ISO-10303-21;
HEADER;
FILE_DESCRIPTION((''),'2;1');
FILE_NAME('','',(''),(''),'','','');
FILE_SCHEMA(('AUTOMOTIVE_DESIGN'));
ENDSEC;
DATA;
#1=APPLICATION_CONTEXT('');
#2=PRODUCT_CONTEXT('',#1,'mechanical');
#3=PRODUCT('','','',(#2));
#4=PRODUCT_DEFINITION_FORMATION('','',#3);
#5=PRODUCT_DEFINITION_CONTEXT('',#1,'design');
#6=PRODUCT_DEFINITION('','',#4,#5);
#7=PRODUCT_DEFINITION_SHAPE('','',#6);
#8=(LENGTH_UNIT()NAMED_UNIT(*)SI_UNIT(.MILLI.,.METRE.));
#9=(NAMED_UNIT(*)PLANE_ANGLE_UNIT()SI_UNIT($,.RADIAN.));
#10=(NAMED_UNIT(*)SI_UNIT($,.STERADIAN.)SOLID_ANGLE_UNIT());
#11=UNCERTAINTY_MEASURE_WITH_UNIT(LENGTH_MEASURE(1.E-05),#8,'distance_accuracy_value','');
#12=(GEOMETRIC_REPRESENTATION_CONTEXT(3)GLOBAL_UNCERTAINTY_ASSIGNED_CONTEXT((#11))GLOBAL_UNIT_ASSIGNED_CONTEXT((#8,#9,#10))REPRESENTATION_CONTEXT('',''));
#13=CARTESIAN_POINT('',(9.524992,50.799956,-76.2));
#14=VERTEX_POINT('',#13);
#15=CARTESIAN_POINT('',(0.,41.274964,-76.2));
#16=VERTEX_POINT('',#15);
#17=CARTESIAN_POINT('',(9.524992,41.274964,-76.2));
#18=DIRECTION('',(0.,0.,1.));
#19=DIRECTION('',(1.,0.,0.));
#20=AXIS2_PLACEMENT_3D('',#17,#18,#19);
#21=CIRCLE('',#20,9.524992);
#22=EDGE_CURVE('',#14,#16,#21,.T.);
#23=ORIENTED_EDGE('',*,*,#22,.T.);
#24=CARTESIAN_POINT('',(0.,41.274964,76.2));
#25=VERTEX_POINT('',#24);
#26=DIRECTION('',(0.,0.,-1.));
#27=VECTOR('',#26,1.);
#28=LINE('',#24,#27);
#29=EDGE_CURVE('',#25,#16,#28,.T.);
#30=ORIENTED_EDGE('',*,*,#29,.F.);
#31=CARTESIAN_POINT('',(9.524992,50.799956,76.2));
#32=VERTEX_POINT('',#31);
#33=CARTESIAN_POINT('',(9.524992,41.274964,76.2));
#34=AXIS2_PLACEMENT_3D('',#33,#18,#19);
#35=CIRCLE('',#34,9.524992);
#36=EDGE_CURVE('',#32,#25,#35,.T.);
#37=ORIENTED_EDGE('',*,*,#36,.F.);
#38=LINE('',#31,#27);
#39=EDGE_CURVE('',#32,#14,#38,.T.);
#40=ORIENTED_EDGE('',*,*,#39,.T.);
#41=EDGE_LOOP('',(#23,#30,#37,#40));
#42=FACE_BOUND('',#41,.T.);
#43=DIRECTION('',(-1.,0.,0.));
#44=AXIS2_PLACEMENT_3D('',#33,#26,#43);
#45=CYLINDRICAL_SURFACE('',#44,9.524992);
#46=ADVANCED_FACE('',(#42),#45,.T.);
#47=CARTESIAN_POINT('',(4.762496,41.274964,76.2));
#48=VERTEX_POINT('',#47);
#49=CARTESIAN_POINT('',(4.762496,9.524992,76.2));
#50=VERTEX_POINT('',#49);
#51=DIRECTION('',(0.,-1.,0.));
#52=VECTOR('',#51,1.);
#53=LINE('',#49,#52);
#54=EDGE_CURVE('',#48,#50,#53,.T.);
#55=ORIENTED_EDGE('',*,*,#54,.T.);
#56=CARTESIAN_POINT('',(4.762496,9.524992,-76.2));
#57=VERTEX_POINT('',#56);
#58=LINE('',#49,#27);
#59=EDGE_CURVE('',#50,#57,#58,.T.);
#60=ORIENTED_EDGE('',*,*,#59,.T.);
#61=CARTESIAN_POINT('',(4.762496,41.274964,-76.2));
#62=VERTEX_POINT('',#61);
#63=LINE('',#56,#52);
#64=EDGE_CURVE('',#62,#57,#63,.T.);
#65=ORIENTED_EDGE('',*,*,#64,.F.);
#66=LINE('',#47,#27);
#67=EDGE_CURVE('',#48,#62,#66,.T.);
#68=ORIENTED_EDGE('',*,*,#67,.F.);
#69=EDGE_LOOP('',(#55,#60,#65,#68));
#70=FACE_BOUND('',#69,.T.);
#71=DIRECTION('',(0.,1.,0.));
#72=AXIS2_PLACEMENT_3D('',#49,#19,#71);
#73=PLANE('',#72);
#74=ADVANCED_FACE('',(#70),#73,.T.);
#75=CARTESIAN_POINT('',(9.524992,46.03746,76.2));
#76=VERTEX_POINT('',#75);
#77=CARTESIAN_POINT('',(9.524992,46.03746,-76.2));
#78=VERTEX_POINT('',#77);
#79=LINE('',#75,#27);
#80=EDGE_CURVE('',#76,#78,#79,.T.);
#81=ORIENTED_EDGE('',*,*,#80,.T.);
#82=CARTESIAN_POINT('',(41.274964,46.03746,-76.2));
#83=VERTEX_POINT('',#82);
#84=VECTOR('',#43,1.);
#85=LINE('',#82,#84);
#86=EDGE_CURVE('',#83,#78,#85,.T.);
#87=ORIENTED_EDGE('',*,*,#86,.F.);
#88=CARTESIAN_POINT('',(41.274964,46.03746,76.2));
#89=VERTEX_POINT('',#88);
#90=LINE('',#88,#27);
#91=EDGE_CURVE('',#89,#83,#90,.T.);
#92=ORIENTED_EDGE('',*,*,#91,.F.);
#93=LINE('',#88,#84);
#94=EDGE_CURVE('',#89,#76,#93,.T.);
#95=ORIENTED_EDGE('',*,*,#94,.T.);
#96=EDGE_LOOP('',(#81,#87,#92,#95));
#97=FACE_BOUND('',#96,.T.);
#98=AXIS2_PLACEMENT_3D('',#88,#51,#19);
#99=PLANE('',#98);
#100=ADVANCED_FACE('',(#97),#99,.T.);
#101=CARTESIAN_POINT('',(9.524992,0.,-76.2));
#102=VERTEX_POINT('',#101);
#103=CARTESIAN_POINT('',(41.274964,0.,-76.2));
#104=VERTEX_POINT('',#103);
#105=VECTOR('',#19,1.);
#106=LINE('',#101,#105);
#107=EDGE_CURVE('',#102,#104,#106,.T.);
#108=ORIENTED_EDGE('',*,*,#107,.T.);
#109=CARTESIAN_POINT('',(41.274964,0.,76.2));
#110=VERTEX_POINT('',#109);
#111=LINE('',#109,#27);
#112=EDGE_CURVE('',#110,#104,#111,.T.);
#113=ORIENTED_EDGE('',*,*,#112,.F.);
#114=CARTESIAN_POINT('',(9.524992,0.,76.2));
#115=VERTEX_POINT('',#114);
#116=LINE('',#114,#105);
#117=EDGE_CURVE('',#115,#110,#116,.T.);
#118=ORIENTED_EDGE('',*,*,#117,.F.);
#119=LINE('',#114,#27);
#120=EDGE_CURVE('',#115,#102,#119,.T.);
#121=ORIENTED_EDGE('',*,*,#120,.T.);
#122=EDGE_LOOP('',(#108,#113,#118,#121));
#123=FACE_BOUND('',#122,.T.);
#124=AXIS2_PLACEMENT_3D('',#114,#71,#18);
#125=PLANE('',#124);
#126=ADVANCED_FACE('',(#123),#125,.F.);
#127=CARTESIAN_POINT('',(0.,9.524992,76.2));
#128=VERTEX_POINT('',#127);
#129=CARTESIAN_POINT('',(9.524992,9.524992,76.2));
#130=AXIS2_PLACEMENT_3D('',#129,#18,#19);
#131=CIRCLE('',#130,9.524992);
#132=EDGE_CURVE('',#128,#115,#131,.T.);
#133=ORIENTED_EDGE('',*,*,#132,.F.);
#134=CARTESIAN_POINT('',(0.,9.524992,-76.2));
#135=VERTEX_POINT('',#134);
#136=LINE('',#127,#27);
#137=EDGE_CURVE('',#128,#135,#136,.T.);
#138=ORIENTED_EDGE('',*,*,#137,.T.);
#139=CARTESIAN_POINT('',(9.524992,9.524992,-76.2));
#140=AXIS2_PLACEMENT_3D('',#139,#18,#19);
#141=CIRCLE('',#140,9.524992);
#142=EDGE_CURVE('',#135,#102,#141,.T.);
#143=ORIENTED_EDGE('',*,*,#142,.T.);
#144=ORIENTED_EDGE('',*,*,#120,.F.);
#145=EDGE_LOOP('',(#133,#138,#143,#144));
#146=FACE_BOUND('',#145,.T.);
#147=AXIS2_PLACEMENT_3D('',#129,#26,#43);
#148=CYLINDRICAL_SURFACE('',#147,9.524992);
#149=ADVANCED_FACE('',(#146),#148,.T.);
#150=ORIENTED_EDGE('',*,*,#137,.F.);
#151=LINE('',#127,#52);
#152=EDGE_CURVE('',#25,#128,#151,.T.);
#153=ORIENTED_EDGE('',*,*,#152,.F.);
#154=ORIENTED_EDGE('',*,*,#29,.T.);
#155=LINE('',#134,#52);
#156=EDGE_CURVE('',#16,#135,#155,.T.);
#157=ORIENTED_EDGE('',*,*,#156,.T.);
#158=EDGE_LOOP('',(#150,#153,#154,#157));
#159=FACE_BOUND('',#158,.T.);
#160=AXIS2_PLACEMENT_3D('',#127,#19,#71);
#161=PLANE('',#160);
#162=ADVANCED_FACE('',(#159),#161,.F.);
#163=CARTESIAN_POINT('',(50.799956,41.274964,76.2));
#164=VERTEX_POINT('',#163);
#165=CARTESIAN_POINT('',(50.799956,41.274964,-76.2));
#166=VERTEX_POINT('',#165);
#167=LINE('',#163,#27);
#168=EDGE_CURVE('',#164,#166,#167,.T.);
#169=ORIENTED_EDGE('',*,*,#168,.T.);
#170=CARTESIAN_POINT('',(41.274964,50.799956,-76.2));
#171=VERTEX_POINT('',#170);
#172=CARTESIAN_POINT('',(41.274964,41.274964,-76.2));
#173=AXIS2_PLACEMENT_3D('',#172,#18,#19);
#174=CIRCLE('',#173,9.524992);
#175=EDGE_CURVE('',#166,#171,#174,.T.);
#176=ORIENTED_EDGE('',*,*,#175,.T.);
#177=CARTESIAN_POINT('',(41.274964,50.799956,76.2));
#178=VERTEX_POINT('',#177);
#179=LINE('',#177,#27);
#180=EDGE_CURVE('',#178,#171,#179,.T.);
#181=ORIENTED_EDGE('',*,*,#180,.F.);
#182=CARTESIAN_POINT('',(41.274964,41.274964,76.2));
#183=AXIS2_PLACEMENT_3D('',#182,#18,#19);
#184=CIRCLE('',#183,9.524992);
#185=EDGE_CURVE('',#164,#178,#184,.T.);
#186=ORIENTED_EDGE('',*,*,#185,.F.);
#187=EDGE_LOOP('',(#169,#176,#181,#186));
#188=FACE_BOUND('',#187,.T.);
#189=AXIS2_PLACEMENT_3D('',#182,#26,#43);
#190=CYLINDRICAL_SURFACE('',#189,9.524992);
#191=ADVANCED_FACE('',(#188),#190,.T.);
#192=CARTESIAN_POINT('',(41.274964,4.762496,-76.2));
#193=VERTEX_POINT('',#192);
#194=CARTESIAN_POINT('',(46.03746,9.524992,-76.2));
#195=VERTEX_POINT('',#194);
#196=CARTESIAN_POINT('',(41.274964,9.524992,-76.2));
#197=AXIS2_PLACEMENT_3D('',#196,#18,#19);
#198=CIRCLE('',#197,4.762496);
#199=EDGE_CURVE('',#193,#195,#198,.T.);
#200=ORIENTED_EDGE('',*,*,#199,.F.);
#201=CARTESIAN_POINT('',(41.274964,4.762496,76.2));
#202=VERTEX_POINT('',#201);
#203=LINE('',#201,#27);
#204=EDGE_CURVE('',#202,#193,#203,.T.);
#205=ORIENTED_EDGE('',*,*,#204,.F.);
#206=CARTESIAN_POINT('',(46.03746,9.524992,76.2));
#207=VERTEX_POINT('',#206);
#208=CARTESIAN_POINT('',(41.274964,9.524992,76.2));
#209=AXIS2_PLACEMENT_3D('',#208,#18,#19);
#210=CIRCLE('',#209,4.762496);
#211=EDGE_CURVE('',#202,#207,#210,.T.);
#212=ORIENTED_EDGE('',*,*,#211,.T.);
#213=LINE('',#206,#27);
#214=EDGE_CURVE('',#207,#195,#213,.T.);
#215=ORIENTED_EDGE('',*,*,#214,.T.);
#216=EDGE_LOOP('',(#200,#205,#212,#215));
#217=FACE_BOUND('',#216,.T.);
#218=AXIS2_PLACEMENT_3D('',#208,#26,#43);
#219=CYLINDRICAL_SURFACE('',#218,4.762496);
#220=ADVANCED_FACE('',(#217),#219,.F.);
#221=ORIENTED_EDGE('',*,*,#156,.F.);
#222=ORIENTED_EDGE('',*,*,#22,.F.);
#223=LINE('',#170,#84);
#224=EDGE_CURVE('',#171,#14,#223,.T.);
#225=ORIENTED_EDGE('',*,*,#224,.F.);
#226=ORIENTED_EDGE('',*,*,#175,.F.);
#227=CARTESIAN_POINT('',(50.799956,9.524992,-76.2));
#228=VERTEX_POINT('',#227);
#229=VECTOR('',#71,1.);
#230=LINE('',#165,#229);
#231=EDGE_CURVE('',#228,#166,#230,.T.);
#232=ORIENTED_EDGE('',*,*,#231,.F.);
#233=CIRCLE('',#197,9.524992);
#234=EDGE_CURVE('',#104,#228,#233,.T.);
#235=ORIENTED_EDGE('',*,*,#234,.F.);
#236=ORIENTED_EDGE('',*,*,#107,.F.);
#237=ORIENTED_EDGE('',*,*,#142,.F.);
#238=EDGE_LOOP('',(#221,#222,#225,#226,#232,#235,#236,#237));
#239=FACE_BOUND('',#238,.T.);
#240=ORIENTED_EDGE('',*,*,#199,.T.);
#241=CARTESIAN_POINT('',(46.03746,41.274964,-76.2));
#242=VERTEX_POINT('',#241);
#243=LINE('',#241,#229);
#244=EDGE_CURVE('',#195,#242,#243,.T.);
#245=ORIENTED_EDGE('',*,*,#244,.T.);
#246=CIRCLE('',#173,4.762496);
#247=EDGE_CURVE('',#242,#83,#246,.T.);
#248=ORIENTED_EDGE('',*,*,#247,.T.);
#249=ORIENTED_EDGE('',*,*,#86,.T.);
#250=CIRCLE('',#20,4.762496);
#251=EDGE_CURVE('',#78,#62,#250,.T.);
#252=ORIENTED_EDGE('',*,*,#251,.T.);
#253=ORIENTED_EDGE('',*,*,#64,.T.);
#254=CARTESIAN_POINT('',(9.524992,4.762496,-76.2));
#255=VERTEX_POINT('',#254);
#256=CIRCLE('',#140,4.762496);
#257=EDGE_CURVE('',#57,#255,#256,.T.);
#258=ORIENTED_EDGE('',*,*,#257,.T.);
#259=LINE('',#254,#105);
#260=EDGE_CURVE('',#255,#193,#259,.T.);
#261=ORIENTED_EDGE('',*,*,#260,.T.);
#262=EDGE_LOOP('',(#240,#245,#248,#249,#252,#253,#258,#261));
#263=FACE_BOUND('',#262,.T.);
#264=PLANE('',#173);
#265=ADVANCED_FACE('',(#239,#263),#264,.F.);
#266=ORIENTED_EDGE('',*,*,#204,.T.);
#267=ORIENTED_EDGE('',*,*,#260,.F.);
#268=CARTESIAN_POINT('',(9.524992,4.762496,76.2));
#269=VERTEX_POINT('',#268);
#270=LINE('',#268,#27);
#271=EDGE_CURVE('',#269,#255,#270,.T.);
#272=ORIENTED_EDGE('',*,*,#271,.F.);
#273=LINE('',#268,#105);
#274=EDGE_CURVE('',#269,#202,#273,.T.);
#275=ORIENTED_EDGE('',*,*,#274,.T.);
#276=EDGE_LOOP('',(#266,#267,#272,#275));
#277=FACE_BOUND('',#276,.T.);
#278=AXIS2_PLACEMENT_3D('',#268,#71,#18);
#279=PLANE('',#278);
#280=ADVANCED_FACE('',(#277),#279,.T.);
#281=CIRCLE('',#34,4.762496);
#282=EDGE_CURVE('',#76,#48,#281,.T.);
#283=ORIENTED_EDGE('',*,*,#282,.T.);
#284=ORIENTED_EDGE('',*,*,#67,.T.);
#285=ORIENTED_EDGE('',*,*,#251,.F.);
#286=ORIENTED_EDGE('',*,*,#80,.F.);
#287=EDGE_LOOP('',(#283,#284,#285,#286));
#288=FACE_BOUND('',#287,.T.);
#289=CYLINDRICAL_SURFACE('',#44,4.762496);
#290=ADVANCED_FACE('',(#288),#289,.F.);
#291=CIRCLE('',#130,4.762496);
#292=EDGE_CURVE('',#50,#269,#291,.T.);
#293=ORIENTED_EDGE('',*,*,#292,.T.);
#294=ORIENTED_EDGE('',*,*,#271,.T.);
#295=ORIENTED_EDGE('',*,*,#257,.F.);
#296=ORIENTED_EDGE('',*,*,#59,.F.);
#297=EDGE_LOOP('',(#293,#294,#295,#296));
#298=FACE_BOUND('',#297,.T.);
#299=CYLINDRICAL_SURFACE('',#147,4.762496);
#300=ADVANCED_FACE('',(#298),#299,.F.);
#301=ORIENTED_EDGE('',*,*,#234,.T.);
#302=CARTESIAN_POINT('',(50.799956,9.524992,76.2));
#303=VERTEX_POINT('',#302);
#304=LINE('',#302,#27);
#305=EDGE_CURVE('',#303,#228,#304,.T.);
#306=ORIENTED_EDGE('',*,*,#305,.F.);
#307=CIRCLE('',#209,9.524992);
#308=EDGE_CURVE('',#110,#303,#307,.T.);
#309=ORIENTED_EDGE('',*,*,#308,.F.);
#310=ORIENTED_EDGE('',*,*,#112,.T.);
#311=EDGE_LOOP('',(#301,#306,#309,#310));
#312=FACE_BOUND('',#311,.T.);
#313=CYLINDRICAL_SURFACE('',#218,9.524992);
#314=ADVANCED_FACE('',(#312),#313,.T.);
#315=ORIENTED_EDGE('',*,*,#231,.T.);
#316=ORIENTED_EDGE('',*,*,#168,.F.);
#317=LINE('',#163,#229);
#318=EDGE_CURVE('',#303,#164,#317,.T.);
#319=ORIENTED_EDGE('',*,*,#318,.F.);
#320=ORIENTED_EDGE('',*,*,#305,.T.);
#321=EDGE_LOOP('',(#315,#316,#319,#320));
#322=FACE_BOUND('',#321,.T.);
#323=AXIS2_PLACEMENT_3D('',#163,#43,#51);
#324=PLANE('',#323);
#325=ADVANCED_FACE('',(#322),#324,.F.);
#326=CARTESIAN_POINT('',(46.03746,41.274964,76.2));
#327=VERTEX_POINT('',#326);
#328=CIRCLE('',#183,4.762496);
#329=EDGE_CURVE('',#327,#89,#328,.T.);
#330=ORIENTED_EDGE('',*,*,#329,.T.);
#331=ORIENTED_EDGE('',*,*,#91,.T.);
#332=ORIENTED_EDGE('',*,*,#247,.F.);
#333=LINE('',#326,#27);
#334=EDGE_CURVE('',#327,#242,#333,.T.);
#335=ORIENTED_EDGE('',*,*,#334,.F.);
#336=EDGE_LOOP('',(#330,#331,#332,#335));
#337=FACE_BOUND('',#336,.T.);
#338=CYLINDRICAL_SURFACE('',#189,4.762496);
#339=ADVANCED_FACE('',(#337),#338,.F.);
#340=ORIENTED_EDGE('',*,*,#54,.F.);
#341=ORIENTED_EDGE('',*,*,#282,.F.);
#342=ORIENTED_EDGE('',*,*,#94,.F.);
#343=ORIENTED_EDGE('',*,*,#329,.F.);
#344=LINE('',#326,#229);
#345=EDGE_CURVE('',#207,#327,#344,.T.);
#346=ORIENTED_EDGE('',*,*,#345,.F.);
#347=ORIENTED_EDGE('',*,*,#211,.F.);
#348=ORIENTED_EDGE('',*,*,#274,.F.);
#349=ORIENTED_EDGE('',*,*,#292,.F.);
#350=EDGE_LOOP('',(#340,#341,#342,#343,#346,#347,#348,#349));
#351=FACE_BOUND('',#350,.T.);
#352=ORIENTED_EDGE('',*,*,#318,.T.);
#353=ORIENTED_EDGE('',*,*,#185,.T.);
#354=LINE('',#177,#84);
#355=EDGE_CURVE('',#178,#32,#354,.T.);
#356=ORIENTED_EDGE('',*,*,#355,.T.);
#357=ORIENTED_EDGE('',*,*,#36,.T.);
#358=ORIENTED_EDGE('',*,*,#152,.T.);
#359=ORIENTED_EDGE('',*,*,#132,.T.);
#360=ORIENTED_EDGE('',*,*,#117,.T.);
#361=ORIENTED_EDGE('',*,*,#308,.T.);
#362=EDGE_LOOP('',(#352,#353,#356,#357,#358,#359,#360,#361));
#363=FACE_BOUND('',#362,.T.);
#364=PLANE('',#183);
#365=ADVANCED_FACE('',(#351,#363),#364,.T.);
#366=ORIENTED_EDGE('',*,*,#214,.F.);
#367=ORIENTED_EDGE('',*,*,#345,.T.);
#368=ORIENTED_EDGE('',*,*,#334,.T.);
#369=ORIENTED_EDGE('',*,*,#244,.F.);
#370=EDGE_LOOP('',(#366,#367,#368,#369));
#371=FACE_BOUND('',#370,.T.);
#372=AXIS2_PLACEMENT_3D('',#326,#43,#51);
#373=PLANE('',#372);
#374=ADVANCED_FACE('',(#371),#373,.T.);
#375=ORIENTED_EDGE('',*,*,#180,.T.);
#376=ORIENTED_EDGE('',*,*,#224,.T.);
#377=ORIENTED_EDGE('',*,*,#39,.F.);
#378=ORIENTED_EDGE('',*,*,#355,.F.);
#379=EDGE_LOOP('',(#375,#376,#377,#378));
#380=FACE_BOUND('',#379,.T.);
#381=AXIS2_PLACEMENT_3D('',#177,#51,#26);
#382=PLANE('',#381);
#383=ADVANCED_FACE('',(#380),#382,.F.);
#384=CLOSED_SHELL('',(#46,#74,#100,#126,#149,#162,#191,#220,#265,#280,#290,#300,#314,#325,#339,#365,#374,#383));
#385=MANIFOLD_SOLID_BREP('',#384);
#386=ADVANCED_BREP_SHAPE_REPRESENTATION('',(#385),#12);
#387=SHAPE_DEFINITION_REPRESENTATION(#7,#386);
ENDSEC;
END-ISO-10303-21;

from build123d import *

# Parameters (mm, degrees)
BASETUBES_DEPTH = 76.2


with BuildPart() as part:
    # Sketch1 → BaseTubeS (new body, symmetric)
    with BuildSketch(Plane.XY):
        with BuildLine():
            Line((9.52499175, 0), (41.27496425, 0))
            ThreePointArc((41.27496425, 0), (48.010150507, 2.789805493), (50.799956, 9.52499175))
            Line((50.799956, 9.52499175), (50.799956, 41.27496425))
            ThreePointArc((50.799956, 41.27496425), (48.010150507, 48.010150507), (41.27496425, 50.799956))
            Line((41.27496425, 50.799956), (9.52499175, 50.799956))
            ThreePointArc((9.52499175, 50.799956), (2.789805493, 48.010150507), (0, 41.27496425))
            Line((0, 41.27496425), (0, 9.52499175))
            ThreePointArc((0, 9.52499175), (2.789805493, 2.789805493), (9.52499175, 0))
        make_face()
        with BuildLine():
            Line((9.52499175, 4.762495875), (41.27496425, 4.762495875))
            ThreePointArc((41.27496425, 4.762495875), (44.642557379, 6.157398621), (46.037460125, 9.52499175))
            Line((46.037460125, 9.52499175), (46.037460125, 41.27496425))
            ThreePointArc((46.037460125, 41.27496425), (44.642557379, 44.642557379), (41.27496425, 46.037460125))
            Line((41.27496425, 46.037460125), (9.52499175, 46.037460125))
            ThreePointArc((9.52499175, 46.037460125), (6.157398621, 44.642557379), (4.762495875, 41.27496425))
            Line((4.762495875, 41.27496425), (4.762495875, 9.52499175))
            ThreePointArc((4.762495875, 9.52499175), (6.157398621, 6.157398621), (9.52499175, 4.762495875))
        make_face(mode=Mode.SUBTRACT)
    extrude(amount=BASETUBES_DEPTH, both=True)


solid = part.part
